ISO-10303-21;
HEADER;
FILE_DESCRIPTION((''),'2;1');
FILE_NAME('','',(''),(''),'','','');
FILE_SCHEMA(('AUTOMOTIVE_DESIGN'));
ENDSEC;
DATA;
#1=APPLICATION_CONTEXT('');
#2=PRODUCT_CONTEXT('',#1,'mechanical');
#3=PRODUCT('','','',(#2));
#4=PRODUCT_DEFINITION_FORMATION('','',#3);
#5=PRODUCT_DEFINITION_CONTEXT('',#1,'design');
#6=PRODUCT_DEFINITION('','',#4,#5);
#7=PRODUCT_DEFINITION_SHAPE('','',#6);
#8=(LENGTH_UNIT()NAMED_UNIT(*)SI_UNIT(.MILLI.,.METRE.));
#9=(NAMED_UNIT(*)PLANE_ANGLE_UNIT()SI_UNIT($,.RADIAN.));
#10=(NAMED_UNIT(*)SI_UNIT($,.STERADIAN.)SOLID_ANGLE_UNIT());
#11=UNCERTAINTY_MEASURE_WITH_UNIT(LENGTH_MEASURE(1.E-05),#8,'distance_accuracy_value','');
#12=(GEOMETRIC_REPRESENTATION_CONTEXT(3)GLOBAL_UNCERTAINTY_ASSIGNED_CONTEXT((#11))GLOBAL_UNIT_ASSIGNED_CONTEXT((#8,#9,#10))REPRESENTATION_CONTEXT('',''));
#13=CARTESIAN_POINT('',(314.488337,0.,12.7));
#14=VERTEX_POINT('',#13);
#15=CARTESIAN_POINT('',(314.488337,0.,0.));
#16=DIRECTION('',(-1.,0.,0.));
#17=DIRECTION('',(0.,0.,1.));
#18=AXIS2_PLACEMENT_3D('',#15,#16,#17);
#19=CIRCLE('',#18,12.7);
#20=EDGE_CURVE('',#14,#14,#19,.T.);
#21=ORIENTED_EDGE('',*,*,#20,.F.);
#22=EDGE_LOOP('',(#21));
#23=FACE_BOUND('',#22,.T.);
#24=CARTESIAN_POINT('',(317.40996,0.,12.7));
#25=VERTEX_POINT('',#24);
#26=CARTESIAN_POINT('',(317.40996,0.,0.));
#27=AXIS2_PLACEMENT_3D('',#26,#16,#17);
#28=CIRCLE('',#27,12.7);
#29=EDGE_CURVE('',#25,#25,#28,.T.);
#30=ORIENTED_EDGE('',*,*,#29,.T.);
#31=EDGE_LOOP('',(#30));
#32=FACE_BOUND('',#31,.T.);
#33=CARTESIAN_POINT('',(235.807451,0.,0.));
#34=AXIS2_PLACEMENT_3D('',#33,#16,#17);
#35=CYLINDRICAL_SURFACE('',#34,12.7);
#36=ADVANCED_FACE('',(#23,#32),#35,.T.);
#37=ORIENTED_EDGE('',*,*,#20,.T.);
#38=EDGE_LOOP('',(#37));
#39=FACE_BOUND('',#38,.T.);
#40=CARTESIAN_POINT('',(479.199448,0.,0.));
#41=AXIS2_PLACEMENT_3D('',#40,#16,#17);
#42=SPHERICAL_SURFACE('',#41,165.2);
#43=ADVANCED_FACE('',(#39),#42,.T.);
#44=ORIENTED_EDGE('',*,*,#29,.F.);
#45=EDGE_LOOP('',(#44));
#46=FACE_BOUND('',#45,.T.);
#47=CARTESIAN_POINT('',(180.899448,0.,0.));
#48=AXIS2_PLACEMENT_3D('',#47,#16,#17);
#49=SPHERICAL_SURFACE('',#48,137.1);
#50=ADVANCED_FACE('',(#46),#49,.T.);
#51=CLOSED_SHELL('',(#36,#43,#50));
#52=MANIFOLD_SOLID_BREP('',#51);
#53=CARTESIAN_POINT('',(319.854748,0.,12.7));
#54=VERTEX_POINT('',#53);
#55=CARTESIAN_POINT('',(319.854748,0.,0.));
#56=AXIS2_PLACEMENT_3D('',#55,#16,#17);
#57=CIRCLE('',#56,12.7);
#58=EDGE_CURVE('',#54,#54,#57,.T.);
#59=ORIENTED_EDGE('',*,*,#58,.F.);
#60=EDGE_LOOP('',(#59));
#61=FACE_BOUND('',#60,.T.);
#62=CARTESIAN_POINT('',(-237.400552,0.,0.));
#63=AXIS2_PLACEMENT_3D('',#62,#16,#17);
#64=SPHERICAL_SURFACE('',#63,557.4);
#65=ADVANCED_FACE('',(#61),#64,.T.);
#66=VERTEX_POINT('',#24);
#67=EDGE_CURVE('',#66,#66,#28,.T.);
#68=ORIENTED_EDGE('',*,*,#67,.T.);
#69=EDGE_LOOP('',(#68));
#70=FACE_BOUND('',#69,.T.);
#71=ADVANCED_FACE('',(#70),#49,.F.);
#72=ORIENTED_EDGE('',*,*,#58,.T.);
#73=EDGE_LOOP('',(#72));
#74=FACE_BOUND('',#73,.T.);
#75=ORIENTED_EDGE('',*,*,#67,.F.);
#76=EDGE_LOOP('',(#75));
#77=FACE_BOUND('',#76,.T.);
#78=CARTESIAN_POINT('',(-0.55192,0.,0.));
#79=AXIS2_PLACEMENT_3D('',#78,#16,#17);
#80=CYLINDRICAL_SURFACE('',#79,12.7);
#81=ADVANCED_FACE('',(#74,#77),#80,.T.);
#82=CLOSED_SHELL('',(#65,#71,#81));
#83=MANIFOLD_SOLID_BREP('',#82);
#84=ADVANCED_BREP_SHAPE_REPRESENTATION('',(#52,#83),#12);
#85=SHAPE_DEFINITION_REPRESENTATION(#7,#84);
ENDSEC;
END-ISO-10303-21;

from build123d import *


with BuildPart() as part:
    # 草图1 one side → 旋转1 (revolve)
    with BuildSketch(Plane(origin=(0, 0, 0), x_dir=(1, 0, 0), z_dir=(0, 1, 0)), mode=Mode.PRIVATE) as revolve_1_sk:
        with BuildLine():
            ThreePointArc((314.488336807, 12.7), (314.121715105, 6.354703233), (313.999447543, 0))
            Line((313.999447543, 0), (317.999447543, 0))
            ThreePointArc((317.999447543, 0), (317.851996355, 6.356836784), (317.409959959, 12.7))
            Line((317.409959959, 12.7), (314.488336807, 12.7))
        make_face()
    revolve(revolve_1_sk.sketch.rotate(Axis((235.807450691, 0, 0), (1, 0, 0)), 180), axis=Axis((235.807450691, 0, 0), (1, 0, 0)))  # turned: the seam where the file's is


with BuildPart() as body_2:
    # 草图2 one side → 旋转3 (revolve)
    with BuildSketch(Plane(origin=(0, 0, 0), x_dir=(1, 0, 0), z_dir=(0, 1, 0)), mode=Mode.PRIVATE) as revolve_3_sk:
        with BuildLine():
            Line((319.854748101, 12.7), (317.409959959, 12.7))
            ThreePointArc((317.409959959, 12.7), (317.851996355, 6.356836784), (317.999447543, 0))
            Line((317.999447543, 0), (319.999447543, 0))
            ThreePointArc((319.999447543, 0), (319.963271509, 6.350412151), (319.854748101, 12.7))
        make_face()
    revolve(revolve_3_sk.sketch.rotate(Axis((-0.551919993, 0, 0), (1, 0, 0)), 180), axis=Axis((-0.551919993, 0, 0), (1, 0, 0)))  # turned: the seam where the file's is


solid = Compound([part.part, body_2.part])
